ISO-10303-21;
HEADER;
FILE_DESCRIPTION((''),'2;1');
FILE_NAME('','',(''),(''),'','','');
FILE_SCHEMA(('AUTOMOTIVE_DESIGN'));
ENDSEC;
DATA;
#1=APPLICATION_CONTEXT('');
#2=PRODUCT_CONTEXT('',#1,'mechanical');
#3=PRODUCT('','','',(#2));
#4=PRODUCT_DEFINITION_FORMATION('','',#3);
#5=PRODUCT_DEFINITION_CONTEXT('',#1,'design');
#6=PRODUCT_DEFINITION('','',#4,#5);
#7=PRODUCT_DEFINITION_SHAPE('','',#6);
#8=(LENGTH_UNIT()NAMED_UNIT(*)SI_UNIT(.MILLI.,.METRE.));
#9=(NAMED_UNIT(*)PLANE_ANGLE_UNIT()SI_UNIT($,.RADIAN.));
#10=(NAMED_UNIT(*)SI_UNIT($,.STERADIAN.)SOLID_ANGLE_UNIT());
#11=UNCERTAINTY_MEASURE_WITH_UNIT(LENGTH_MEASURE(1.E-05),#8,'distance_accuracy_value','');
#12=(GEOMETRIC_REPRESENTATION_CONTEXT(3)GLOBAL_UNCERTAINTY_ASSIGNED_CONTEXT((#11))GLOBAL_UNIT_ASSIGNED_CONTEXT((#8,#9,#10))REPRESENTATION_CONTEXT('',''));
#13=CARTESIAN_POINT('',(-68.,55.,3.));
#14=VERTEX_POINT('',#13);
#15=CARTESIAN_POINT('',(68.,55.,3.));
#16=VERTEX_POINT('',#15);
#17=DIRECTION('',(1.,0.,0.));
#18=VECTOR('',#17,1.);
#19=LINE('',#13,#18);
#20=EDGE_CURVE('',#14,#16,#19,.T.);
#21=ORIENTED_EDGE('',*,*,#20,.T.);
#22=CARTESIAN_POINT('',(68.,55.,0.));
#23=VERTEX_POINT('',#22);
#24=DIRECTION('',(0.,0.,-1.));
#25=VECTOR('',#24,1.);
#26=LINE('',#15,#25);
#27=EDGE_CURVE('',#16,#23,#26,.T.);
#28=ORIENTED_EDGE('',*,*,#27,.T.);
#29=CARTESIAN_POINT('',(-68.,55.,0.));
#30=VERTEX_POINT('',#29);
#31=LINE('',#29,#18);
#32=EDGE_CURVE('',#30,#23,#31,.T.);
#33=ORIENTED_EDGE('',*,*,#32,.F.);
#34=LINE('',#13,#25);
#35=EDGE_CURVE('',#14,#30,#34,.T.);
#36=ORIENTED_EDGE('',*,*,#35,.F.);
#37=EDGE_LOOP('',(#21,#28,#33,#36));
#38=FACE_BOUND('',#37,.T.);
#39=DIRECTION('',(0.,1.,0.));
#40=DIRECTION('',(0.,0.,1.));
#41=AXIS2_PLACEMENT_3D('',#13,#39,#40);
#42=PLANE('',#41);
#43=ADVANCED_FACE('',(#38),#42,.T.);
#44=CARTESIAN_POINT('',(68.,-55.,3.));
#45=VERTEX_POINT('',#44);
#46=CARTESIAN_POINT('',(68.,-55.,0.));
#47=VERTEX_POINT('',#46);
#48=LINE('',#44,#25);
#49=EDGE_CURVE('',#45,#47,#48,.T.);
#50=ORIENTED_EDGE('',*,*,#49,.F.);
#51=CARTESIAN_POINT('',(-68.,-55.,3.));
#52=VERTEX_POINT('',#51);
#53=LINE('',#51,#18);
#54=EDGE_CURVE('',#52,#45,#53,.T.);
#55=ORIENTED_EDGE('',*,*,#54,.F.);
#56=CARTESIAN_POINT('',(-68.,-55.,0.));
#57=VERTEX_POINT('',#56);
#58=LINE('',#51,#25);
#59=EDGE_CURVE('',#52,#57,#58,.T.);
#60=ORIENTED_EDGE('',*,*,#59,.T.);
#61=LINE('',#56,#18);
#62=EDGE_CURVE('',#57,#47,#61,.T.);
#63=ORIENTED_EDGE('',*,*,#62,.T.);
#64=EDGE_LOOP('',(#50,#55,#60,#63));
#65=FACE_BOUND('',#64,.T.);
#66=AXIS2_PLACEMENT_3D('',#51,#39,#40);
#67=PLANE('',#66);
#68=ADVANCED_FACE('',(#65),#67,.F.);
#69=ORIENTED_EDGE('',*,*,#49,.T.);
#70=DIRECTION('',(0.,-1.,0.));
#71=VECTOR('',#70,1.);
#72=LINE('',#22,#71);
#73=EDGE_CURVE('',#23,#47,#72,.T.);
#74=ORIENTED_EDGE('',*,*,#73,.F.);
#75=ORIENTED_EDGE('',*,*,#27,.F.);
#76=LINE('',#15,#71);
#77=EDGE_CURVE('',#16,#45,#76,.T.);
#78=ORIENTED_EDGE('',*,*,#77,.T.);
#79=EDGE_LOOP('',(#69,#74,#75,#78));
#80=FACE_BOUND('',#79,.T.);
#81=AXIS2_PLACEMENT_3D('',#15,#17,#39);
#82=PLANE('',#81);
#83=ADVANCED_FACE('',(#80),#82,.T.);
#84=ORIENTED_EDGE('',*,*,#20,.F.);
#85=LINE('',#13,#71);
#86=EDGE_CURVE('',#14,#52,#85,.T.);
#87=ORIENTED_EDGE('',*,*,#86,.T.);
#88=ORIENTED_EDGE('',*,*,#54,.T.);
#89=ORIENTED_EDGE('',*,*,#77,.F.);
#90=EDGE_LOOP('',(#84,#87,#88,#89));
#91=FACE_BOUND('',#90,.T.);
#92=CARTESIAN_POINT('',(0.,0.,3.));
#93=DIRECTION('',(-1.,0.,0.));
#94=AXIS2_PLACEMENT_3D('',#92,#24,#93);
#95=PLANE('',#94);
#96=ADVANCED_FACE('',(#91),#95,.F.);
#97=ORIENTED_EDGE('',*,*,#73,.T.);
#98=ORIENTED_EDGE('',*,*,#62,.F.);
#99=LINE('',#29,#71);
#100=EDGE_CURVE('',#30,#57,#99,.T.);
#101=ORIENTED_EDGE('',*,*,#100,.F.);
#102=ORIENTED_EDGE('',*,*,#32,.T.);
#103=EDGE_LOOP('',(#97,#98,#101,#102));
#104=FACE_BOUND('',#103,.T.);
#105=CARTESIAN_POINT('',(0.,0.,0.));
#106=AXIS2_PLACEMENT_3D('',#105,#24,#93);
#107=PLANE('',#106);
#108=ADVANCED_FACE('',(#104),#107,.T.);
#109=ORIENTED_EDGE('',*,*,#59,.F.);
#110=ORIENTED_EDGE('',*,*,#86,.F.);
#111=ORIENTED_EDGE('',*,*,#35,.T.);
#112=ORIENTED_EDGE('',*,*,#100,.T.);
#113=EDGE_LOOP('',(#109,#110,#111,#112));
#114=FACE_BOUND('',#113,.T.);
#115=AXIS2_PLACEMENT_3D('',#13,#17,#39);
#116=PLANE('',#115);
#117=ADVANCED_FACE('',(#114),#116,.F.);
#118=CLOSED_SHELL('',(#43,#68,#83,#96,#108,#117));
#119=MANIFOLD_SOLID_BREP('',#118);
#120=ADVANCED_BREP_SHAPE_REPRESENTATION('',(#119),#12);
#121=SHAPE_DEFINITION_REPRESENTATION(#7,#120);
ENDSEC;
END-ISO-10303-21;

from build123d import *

# Parameters (mm, degrees)
SKETCH1_W           = 136
SKETCH1_H           = 110
BOSS_EXTRUDE1_DEPTH = 3


with BuildPart() as part:
    # Sketch1 → Boss-Extrude1 (new body)
    with BuildSketch(Plane.XY):
        Rectangle(SKETCH1_W, SKETCH1_H)
    extrude(amount=BOSS_EXTRUDE1_DEPTH)


solid = part.part
